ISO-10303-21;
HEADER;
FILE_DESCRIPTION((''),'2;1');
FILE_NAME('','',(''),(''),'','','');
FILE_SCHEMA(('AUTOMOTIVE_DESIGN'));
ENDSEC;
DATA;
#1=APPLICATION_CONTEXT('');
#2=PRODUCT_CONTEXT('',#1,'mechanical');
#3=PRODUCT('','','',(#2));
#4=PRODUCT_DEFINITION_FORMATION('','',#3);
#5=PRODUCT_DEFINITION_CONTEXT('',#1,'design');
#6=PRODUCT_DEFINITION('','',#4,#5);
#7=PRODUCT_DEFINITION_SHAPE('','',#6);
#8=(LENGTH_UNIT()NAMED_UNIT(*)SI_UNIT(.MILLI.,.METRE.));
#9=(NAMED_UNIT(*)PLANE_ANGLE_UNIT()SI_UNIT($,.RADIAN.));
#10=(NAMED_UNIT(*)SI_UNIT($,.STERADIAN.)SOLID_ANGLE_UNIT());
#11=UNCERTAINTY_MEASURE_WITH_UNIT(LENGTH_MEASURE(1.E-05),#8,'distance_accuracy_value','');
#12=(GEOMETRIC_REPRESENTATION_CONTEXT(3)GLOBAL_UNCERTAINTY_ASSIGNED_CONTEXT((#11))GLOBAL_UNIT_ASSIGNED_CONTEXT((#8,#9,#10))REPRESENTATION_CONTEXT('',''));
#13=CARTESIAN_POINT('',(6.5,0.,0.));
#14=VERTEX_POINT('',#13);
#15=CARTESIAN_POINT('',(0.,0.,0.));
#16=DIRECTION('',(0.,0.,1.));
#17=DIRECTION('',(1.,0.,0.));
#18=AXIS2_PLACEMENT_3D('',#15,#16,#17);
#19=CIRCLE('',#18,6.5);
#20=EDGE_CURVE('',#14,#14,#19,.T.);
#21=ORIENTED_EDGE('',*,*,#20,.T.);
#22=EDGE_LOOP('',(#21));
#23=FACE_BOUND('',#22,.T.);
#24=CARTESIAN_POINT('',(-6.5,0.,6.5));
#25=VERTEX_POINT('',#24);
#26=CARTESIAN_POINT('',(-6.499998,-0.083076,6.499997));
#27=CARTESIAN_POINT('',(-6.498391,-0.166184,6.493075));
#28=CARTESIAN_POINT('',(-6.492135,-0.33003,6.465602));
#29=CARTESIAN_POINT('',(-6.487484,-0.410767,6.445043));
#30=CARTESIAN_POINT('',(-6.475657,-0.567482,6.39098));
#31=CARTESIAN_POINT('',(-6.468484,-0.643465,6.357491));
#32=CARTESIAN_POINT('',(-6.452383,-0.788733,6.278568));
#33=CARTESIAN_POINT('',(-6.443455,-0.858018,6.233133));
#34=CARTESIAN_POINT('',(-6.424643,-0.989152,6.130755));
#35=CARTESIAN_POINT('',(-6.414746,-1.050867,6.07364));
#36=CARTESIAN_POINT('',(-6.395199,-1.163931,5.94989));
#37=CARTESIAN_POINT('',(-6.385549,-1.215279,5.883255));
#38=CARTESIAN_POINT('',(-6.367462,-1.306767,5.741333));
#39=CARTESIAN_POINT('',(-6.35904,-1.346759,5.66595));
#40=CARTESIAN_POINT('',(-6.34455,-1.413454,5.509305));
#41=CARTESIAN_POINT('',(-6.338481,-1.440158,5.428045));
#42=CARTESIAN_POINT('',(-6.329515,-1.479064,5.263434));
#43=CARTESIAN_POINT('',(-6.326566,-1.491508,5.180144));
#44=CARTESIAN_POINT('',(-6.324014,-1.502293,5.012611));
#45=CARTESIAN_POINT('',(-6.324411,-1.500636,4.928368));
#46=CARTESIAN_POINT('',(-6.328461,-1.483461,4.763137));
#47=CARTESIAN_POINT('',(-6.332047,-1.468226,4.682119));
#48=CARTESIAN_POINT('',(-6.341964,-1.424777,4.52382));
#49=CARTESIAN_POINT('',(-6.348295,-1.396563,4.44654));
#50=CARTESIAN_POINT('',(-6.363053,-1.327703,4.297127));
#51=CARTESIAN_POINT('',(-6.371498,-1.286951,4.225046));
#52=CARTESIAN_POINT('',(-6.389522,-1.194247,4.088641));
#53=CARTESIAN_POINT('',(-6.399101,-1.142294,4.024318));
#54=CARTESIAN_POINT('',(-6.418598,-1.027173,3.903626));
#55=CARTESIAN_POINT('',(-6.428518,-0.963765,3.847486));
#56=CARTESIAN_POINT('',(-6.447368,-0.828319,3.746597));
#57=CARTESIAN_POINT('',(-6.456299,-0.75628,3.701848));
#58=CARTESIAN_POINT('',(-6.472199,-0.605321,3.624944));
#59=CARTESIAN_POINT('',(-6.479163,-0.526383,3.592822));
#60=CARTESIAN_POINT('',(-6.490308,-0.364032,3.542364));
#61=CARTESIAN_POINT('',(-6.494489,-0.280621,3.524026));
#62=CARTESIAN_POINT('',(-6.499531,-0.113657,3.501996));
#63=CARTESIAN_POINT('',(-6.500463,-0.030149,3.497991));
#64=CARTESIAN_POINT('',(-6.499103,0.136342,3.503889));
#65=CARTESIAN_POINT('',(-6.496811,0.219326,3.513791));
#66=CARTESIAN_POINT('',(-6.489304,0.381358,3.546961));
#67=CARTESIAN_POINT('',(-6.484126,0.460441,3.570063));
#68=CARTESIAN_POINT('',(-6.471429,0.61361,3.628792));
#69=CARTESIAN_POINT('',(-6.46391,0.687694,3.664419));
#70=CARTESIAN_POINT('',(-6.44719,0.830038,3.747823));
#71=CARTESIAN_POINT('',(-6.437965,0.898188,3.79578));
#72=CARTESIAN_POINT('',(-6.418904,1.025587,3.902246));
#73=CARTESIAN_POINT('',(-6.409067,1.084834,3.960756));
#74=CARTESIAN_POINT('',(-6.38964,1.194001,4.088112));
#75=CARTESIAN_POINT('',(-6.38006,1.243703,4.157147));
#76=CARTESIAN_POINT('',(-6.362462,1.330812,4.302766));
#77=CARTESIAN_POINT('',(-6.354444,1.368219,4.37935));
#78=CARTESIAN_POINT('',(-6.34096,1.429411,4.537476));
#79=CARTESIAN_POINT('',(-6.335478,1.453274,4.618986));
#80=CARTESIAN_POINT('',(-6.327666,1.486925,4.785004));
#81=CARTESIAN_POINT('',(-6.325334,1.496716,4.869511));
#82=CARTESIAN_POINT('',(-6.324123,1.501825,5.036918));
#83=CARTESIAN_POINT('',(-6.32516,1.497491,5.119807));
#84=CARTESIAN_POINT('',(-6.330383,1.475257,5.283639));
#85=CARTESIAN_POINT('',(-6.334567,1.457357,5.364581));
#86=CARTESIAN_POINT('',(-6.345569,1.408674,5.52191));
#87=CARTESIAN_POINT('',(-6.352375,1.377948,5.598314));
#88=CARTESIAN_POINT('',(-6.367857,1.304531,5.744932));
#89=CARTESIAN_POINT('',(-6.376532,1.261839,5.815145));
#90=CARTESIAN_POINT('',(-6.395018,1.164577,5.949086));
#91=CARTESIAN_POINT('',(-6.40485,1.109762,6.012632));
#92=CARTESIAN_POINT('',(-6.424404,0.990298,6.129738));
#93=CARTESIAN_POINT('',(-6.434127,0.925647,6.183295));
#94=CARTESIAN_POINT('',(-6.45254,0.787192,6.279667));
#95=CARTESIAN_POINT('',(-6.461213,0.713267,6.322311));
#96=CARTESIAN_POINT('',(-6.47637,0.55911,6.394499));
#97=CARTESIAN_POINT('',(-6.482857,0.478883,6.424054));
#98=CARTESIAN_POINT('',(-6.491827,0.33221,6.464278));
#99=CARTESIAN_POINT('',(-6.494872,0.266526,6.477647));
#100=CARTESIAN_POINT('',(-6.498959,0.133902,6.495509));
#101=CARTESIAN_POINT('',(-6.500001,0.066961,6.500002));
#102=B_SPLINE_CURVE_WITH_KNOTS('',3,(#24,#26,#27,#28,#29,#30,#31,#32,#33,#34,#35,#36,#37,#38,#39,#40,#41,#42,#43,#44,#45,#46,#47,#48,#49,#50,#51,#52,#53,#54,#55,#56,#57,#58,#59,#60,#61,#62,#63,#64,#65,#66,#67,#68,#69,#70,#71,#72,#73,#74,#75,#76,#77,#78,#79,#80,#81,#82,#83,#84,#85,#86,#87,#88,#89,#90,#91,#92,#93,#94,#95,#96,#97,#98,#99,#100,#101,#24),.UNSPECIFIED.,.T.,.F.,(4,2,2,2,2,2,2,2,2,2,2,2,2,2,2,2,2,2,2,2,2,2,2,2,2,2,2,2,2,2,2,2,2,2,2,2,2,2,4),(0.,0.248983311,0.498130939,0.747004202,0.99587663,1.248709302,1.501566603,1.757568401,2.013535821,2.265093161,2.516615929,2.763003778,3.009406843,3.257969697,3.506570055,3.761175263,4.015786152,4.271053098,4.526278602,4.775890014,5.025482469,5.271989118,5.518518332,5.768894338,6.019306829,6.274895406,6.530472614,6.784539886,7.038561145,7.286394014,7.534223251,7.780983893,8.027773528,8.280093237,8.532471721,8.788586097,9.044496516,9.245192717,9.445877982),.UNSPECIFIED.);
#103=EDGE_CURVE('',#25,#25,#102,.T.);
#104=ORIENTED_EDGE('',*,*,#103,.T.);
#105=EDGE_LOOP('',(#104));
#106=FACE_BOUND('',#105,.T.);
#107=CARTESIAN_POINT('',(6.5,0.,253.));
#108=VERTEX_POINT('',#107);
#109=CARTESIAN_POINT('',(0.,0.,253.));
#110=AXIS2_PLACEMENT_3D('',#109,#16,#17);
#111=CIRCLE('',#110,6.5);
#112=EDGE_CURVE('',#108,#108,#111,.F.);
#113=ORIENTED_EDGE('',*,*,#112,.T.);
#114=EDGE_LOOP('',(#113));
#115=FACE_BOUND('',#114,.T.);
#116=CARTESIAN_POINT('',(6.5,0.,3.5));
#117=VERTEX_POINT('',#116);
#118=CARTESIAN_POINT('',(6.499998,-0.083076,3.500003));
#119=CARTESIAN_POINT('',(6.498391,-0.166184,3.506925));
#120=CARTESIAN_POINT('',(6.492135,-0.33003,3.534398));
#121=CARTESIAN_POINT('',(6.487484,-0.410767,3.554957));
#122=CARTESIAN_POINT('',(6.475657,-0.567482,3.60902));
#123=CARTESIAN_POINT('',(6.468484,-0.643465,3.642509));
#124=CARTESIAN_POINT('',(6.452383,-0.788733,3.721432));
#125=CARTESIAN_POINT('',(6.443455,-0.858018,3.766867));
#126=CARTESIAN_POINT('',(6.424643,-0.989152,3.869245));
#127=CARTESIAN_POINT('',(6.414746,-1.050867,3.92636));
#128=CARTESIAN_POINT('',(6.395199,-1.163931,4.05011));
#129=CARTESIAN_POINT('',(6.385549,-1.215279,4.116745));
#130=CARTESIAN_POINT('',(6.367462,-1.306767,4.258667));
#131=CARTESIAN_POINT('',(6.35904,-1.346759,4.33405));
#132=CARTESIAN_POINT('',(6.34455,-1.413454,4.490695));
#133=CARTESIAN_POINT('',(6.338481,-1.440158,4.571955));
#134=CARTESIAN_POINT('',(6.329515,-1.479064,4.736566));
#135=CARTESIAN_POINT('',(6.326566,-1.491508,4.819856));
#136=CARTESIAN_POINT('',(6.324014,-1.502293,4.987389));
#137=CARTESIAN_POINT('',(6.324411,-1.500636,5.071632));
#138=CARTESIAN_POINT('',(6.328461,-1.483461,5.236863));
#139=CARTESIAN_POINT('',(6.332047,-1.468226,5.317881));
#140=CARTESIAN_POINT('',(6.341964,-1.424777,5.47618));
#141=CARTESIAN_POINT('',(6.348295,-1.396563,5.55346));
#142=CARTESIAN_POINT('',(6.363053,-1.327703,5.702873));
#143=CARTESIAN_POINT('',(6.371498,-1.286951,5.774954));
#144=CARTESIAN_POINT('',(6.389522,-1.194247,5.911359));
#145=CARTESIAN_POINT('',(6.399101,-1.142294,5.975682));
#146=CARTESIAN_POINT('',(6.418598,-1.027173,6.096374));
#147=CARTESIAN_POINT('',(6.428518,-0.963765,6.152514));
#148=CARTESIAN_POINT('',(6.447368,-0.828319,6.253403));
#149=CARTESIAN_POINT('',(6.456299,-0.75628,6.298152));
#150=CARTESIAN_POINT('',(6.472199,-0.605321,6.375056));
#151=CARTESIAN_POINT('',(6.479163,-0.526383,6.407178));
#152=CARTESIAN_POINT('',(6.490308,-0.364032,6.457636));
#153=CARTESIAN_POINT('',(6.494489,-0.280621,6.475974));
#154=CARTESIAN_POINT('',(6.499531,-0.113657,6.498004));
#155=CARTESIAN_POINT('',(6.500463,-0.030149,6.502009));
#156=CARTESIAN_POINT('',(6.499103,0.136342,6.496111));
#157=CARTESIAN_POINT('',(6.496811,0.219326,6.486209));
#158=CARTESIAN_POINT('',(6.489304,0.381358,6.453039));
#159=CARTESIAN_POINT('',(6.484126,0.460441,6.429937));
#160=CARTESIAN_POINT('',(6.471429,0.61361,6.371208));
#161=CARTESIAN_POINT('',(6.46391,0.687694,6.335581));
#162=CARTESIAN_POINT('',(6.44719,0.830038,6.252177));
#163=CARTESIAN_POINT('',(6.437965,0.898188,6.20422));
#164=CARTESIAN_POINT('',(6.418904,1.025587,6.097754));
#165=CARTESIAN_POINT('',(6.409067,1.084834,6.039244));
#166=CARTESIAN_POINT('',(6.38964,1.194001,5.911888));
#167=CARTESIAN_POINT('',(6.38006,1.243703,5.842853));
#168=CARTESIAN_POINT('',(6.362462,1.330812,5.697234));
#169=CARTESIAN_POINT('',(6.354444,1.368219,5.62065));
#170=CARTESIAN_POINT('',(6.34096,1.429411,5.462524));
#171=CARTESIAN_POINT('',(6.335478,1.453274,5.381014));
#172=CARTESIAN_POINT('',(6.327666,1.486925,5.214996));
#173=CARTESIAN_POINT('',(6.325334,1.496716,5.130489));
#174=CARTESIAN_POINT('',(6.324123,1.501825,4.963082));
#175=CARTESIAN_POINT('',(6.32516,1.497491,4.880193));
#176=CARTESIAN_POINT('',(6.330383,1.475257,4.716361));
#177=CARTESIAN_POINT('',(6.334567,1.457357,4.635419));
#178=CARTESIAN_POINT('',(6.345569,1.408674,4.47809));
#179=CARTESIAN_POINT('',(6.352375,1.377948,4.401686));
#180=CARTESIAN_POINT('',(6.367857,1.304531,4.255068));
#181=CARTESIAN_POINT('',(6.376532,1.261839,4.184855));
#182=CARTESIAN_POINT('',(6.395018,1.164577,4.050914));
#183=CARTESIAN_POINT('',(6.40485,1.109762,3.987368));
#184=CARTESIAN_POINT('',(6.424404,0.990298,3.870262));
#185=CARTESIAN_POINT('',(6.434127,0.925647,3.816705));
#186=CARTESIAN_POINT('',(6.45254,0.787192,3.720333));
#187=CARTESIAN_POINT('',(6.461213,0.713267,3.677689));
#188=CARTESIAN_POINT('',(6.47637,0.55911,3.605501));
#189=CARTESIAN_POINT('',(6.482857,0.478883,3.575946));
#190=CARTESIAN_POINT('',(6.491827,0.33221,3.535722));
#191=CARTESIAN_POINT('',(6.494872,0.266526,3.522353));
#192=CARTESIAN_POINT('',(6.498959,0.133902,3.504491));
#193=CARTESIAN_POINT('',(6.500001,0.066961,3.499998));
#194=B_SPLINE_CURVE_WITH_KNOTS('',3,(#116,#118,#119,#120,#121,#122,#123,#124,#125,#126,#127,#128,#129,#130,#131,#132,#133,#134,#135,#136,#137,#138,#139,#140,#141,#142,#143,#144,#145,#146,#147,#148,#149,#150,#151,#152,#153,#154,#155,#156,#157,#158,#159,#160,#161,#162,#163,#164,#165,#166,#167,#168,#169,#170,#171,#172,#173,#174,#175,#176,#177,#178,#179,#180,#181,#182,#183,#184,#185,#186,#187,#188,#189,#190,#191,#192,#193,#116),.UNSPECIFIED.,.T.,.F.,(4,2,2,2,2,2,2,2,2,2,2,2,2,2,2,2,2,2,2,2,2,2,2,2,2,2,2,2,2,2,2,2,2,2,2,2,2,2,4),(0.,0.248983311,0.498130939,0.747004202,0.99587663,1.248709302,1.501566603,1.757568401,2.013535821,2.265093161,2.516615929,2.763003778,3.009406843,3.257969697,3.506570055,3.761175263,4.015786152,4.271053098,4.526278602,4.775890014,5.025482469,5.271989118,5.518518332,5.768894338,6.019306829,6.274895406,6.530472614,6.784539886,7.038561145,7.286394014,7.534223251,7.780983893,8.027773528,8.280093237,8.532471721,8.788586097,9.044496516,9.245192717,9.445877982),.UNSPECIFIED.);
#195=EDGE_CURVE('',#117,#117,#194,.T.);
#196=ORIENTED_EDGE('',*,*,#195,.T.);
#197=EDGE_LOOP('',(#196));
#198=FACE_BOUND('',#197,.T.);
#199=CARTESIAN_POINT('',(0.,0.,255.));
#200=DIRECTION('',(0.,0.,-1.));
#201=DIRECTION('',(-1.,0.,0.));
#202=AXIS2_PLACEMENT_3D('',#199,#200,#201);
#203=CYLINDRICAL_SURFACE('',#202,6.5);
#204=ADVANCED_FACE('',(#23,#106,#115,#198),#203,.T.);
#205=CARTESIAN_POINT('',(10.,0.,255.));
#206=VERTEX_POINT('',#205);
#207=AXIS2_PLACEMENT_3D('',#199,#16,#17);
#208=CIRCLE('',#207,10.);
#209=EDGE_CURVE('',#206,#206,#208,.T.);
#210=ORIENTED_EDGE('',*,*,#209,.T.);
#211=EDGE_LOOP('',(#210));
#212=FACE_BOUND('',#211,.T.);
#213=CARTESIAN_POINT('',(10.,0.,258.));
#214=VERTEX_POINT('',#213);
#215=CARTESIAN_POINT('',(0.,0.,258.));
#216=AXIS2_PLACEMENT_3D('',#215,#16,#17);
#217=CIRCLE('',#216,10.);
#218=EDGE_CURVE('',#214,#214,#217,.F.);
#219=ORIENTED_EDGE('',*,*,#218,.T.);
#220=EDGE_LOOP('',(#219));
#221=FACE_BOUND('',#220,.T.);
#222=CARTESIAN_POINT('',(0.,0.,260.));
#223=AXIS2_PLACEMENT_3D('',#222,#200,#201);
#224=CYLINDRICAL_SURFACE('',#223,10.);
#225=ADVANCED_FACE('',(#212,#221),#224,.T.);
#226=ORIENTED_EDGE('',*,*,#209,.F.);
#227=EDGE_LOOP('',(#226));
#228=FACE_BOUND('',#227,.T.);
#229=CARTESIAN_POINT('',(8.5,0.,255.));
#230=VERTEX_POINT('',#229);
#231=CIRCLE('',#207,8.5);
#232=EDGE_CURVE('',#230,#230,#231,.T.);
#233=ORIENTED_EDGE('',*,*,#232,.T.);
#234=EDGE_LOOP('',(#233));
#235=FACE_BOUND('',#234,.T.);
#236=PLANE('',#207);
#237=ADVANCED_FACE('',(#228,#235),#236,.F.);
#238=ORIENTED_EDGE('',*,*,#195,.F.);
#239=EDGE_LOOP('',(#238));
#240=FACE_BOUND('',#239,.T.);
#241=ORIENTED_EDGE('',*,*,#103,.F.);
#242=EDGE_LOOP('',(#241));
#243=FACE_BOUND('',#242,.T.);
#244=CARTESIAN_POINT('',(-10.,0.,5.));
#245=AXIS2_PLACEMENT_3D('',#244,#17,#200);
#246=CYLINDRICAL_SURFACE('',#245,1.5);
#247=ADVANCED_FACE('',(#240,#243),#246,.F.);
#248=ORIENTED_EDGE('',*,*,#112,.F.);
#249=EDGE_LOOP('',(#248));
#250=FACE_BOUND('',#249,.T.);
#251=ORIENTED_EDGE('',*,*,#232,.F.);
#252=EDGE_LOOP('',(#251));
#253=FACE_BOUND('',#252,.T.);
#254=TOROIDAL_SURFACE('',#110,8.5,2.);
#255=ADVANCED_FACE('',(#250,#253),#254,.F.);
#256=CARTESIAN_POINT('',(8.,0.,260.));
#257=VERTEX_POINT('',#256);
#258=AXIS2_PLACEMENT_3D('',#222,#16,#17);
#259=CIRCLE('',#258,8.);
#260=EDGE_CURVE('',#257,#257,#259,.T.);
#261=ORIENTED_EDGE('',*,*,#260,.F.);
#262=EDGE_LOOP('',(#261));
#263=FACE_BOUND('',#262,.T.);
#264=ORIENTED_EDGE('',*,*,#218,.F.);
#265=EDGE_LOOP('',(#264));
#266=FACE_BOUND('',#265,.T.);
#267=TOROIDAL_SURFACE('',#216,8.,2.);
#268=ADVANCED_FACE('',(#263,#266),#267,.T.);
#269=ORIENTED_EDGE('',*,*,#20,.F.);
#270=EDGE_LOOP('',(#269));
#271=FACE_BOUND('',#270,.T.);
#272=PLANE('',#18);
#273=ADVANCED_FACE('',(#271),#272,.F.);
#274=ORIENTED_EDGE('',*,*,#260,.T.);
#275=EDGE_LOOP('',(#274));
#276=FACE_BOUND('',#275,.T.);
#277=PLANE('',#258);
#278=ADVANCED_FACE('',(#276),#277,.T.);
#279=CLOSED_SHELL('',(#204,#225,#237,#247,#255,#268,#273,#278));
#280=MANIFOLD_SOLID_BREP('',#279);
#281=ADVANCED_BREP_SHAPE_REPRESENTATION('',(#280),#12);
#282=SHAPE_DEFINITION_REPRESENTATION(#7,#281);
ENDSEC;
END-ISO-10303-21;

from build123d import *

# Parameters (mm, degrees)
SKETCH1_R               = 6.5
BOSS_EXTRUDE1_DEPTH     = 255
SKETCH2_R               = 10
BOSS_EXTRUDE2_DEPTH     = 5
FILLET1_R               = 2
SKETCH3_R               = 1.5
CUT_EXTRUDE1_DEPTH      = 11.0000001
CUT_EXTRUDE1_DEPTH_BACK = 11


with BuildPart() as part:
    # Sketch1 → Boss-Extrude1 (new body)
    with BuildSketch(Plane.XY):
        Circle(SKETCH1_R)
    extrude(amount=BOSS_EXTRUDE1_DEPTH)

    # Sketch2 → Boss-Extrude2 (add)
    with BuildSketch(Plane.XY.offset(255)):
        Circle(SKETCH2_R)
    extrude(amount=BOSS_EXTRUDE2_DEPTH)

    # Fillet1
    fillet1_edges = [part.edges().sort_by_distance(p)[0] for p in [
        (-6.5, 0, 255),
        (-10, 0, 260),
    ]]
    fillet(fillet1_edges, radius=FILLET1_R)

    # Sketch3 → Cut-Extrude1 (cut, two sides)
    with BuildSketch(Plane(origin=(0, 0, 0), x_dir=(0, 0, -1), z_dir=(1, 0, 0))) as cut_extrude1_sk:
        with Locations((-5, 0)):
            Circle(SKETCH3_R)
    extrude(amount=CUT_EXTRUDE1_DEPTH, mode=Mode.SUBTRACT)
    extrude(cut_extrude1_sk.sketch, amount=-CUT_EXTRUDE1_DEPTH_BACK, mode=Mode.SUBTRACT)


solid = part.part
